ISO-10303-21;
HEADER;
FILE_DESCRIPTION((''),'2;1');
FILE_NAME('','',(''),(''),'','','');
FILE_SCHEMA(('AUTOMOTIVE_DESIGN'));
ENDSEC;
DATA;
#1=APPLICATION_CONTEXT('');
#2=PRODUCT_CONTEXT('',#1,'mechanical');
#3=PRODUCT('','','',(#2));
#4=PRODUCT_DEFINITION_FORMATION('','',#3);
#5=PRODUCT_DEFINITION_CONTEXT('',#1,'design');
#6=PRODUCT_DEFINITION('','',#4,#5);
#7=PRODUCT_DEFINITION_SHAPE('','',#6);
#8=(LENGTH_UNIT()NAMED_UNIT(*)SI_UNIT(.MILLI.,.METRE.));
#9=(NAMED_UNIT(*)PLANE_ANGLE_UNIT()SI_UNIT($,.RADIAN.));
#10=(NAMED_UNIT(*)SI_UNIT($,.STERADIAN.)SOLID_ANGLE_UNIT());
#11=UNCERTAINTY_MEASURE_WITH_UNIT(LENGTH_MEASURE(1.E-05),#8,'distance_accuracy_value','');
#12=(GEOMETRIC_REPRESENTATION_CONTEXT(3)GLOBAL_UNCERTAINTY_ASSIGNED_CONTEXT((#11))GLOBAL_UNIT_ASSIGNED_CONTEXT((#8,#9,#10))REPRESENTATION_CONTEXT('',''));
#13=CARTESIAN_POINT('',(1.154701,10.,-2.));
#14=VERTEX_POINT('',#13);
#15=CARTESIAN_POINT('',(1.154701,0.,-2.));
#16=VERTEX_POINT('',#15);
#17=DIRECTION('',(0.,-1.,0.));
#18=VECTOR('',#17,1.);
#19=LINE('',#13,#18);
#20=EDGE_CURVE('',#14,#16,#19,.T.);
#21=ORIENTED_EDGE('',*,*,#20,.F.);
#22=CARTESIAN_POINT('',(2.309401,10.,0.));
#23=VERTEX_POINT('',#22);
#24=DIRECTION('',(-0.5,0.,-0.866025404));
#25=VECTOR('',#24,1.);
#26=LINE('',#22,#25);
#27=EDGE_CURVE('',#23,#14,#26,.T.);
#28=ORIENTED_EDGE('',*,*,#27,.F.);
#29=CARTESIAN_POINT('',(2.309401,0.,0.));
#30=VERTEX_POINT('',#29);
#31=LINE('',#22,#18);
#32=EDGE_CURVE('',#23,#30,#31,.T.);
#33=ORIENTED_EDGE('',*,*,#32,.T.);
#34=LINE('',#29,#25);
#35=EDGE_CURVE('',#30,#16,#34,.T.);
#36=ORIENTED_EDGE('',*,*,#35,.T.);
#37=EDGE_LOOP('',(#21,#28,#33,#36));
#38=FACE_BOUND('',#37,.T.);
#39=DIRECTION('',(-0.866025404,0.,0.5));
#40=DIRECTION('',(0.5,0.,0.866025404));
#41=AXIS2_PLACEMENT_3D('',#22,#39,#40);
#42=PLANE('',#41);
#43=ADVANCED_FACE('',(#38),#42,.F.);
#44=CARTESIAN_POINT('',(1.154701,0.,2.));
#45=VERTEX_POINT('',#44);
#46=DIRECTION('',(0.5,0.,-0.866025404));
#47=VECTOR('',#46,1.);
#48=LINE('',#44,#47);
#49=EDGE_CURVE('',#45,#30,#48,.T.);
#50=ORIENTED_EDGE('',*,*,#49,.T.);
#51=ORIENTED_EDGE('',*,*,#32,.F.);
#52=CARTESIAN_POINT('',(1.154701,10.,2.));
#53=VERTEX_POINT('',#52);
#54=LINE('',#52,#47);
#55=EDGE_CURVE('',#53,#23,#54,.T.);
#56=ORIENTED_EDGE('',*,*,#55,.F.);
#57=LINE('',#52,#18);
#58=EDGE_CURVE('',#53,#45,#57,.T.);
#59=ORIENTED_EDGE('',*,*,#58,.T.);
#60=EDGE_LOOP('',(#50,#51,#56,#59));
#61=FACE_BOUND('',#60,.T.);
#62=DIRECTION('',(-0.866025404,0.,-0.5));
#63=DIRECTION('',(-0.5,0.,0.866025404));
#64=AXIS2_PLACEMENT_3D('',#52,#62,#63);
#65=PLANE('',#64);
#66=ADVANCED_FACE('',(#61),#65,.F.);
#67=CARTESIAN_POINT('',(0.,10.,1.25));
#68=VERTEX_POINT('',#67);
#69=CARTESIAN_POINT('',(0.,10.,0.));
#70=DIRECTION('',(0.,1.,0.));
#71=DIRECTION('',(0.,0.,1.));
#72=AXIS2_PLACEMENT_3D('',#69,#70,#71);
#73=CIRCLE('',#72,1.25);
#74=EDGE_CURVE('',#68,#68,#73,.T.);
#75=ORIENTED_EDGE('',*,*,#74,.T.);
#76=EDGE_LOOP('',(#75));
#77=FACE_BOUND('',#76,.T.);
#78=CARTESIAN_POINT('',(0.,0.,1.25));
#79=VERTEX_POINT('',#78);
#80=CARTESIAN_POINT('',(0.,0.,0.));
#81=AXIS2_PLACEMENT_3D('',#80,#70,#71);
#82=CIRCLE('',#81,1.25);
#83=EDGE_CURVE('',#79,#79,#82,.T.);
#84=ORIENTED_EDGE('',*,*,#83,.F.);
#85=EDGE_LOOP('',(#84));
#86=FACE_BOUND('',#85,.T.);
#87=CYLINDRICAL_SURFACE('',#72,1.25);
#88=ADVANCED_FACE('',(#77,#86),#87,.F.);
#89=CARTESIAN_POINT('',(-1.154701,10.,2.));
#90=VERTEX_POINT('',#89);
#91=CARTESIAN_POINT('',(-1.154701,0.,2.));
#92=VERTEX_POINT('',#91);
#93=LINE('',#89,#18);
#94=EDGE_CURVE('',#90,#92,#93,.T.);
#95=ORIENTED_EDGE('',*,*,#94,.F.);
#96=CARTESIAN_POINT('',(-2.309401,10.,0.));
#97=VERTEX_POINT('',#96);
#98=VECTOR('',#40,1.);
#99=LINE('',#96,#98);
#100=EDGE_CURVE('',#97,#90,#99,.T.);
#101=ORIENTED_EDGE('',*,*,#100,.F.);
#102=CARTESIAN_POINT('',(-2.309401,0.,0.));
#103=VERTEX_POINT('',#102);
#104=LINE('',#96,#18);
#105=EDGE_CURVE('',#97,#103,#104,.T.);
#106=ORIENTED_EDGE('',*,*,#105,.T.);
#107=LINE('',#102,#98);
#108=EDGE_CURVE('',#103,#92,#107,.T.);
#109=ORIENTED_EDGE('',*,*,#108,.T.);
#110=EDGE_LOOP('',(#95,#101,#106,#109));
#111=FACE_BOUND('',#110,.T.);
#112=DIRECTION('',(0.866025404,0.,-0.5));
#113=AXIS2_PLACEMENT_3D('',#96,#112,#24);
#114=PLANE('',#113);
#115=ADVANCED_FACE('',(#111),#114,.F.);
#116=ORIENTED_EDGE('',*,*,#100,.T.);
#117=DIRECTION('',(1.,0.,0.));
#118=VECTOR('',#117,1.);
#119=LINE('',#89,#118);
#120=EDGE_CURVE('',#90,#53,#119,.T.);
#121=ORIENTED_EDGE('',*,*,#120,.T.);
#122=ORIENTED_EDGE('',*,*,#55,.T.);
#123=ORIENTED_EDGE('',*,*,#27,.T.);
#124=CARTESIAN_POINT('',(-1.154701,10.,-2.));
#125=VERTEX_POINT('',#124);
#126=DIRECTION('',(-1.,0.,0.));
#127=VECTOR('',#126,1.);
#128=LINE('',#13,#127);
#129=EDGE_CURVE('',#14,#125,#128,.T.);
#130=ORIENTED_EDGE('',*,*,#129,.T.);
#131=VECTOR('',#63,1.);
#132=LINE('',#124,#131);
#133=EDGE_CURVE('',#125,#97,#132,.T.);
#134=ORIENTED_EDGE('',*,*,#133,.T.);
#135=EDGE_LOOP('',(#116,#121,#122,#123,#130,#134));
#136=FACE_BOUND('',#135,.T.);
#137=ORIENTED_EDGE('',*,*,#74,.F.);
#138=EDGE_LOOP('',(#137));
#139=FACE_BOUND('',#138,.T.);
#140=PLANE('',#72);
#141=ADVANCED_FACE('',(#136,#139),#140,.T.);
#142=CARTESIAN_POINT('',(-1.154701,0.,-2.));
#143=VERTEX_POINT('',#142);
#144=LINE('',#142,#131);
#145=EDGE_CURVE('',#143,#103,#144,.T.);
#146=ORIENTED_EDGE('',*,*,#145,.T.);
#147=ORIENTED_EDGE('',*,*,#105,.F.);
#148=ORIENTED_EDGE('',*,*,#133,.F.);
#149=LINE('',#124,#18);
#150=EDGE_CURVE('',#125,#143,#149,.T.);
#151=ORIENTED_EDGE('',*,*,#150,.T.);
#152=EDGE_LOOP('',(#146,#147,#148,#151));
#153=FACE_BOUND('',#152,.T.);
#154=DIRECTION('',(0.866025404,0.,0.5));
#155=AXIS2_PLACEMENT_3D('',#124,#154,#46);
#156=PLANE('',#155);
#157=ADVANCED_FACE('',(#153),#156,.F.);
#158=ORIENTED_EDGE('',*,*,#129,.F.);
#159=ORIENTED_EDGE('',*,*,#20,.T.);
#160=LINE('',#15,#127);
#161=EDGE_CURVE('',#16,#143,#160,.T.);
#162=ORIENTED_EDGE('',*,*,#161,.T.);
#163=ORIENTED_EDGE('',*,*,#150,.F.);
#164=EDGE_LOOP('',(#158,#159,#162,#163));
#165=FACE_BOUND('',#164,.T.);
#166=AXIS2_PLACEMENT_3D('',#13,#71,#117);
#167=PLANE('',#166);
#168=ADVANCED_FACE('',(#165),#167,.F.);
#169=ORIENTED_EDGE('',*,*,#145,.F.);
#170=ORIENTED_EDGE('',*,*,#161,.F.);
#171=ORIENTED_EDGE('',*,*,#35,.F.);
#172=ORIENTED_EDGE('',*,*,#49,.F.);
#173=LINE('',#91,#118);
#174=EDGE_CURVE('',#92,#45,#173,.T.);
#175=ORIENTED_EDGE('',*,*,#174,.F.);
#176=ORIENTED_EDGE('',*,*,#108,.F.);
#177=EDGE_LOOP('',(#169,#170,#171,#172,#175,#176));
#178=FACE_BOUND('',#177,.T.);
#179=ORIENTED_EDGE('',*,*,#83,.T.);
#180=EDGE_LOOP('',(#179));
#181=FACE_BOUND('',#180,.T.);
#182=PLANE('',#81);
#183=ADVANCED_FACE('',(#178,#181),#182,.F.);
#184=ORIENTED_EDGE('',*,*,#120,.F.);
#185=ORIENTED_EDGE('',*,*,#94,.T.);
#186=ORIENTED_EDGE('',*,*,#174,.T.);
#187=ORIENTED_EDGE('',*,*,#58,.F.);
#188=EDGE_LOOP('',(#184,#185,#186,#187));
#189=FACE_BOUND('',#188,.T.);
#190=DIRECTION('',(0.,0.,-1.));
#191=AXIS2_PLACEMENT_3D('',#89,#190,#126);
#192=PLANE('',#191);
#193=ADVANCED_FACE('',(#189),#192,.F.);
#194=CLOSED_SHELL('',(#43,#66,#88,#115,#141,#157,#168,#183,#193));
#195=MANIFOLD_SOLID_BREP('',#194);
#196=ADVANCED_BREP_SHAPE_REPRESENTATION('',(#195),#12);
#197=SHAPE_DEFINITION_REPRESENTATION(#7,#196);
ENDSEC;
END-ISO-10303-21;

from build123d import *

# Parameters (mm, degrees)
EXTRUDE_1_DEPTH = 10
HOLE_WIZARD_1_D = 2.5


with BuildPart() as part:
    # 草图1 → 凸台-拉伸1 (new body)
    with BuildSketch(Plane(origin=(0, 0, 0), x_dir=(1, 0, 0), z_dir=(0, 1, 0))):
        Polygon((2.309401077, 0), (1.154700538, 2), (-1.154700538, 2), (-2.309401077, 0), (-1.154700538, -2), (1.154700538, -2), align=None)
    extrude(amount=EXTRUDE_1_DEPTH)

    # 孔1 (through all)
    with Locations(Plane(origin=(0, 10, 0), x_dir=(1, 0, 0), z_dir=(0, 1, 0))):
        with Locations((0, 0)):
            Hole(HOLE_WIZARD_1_D / 2)


solid = part.part
